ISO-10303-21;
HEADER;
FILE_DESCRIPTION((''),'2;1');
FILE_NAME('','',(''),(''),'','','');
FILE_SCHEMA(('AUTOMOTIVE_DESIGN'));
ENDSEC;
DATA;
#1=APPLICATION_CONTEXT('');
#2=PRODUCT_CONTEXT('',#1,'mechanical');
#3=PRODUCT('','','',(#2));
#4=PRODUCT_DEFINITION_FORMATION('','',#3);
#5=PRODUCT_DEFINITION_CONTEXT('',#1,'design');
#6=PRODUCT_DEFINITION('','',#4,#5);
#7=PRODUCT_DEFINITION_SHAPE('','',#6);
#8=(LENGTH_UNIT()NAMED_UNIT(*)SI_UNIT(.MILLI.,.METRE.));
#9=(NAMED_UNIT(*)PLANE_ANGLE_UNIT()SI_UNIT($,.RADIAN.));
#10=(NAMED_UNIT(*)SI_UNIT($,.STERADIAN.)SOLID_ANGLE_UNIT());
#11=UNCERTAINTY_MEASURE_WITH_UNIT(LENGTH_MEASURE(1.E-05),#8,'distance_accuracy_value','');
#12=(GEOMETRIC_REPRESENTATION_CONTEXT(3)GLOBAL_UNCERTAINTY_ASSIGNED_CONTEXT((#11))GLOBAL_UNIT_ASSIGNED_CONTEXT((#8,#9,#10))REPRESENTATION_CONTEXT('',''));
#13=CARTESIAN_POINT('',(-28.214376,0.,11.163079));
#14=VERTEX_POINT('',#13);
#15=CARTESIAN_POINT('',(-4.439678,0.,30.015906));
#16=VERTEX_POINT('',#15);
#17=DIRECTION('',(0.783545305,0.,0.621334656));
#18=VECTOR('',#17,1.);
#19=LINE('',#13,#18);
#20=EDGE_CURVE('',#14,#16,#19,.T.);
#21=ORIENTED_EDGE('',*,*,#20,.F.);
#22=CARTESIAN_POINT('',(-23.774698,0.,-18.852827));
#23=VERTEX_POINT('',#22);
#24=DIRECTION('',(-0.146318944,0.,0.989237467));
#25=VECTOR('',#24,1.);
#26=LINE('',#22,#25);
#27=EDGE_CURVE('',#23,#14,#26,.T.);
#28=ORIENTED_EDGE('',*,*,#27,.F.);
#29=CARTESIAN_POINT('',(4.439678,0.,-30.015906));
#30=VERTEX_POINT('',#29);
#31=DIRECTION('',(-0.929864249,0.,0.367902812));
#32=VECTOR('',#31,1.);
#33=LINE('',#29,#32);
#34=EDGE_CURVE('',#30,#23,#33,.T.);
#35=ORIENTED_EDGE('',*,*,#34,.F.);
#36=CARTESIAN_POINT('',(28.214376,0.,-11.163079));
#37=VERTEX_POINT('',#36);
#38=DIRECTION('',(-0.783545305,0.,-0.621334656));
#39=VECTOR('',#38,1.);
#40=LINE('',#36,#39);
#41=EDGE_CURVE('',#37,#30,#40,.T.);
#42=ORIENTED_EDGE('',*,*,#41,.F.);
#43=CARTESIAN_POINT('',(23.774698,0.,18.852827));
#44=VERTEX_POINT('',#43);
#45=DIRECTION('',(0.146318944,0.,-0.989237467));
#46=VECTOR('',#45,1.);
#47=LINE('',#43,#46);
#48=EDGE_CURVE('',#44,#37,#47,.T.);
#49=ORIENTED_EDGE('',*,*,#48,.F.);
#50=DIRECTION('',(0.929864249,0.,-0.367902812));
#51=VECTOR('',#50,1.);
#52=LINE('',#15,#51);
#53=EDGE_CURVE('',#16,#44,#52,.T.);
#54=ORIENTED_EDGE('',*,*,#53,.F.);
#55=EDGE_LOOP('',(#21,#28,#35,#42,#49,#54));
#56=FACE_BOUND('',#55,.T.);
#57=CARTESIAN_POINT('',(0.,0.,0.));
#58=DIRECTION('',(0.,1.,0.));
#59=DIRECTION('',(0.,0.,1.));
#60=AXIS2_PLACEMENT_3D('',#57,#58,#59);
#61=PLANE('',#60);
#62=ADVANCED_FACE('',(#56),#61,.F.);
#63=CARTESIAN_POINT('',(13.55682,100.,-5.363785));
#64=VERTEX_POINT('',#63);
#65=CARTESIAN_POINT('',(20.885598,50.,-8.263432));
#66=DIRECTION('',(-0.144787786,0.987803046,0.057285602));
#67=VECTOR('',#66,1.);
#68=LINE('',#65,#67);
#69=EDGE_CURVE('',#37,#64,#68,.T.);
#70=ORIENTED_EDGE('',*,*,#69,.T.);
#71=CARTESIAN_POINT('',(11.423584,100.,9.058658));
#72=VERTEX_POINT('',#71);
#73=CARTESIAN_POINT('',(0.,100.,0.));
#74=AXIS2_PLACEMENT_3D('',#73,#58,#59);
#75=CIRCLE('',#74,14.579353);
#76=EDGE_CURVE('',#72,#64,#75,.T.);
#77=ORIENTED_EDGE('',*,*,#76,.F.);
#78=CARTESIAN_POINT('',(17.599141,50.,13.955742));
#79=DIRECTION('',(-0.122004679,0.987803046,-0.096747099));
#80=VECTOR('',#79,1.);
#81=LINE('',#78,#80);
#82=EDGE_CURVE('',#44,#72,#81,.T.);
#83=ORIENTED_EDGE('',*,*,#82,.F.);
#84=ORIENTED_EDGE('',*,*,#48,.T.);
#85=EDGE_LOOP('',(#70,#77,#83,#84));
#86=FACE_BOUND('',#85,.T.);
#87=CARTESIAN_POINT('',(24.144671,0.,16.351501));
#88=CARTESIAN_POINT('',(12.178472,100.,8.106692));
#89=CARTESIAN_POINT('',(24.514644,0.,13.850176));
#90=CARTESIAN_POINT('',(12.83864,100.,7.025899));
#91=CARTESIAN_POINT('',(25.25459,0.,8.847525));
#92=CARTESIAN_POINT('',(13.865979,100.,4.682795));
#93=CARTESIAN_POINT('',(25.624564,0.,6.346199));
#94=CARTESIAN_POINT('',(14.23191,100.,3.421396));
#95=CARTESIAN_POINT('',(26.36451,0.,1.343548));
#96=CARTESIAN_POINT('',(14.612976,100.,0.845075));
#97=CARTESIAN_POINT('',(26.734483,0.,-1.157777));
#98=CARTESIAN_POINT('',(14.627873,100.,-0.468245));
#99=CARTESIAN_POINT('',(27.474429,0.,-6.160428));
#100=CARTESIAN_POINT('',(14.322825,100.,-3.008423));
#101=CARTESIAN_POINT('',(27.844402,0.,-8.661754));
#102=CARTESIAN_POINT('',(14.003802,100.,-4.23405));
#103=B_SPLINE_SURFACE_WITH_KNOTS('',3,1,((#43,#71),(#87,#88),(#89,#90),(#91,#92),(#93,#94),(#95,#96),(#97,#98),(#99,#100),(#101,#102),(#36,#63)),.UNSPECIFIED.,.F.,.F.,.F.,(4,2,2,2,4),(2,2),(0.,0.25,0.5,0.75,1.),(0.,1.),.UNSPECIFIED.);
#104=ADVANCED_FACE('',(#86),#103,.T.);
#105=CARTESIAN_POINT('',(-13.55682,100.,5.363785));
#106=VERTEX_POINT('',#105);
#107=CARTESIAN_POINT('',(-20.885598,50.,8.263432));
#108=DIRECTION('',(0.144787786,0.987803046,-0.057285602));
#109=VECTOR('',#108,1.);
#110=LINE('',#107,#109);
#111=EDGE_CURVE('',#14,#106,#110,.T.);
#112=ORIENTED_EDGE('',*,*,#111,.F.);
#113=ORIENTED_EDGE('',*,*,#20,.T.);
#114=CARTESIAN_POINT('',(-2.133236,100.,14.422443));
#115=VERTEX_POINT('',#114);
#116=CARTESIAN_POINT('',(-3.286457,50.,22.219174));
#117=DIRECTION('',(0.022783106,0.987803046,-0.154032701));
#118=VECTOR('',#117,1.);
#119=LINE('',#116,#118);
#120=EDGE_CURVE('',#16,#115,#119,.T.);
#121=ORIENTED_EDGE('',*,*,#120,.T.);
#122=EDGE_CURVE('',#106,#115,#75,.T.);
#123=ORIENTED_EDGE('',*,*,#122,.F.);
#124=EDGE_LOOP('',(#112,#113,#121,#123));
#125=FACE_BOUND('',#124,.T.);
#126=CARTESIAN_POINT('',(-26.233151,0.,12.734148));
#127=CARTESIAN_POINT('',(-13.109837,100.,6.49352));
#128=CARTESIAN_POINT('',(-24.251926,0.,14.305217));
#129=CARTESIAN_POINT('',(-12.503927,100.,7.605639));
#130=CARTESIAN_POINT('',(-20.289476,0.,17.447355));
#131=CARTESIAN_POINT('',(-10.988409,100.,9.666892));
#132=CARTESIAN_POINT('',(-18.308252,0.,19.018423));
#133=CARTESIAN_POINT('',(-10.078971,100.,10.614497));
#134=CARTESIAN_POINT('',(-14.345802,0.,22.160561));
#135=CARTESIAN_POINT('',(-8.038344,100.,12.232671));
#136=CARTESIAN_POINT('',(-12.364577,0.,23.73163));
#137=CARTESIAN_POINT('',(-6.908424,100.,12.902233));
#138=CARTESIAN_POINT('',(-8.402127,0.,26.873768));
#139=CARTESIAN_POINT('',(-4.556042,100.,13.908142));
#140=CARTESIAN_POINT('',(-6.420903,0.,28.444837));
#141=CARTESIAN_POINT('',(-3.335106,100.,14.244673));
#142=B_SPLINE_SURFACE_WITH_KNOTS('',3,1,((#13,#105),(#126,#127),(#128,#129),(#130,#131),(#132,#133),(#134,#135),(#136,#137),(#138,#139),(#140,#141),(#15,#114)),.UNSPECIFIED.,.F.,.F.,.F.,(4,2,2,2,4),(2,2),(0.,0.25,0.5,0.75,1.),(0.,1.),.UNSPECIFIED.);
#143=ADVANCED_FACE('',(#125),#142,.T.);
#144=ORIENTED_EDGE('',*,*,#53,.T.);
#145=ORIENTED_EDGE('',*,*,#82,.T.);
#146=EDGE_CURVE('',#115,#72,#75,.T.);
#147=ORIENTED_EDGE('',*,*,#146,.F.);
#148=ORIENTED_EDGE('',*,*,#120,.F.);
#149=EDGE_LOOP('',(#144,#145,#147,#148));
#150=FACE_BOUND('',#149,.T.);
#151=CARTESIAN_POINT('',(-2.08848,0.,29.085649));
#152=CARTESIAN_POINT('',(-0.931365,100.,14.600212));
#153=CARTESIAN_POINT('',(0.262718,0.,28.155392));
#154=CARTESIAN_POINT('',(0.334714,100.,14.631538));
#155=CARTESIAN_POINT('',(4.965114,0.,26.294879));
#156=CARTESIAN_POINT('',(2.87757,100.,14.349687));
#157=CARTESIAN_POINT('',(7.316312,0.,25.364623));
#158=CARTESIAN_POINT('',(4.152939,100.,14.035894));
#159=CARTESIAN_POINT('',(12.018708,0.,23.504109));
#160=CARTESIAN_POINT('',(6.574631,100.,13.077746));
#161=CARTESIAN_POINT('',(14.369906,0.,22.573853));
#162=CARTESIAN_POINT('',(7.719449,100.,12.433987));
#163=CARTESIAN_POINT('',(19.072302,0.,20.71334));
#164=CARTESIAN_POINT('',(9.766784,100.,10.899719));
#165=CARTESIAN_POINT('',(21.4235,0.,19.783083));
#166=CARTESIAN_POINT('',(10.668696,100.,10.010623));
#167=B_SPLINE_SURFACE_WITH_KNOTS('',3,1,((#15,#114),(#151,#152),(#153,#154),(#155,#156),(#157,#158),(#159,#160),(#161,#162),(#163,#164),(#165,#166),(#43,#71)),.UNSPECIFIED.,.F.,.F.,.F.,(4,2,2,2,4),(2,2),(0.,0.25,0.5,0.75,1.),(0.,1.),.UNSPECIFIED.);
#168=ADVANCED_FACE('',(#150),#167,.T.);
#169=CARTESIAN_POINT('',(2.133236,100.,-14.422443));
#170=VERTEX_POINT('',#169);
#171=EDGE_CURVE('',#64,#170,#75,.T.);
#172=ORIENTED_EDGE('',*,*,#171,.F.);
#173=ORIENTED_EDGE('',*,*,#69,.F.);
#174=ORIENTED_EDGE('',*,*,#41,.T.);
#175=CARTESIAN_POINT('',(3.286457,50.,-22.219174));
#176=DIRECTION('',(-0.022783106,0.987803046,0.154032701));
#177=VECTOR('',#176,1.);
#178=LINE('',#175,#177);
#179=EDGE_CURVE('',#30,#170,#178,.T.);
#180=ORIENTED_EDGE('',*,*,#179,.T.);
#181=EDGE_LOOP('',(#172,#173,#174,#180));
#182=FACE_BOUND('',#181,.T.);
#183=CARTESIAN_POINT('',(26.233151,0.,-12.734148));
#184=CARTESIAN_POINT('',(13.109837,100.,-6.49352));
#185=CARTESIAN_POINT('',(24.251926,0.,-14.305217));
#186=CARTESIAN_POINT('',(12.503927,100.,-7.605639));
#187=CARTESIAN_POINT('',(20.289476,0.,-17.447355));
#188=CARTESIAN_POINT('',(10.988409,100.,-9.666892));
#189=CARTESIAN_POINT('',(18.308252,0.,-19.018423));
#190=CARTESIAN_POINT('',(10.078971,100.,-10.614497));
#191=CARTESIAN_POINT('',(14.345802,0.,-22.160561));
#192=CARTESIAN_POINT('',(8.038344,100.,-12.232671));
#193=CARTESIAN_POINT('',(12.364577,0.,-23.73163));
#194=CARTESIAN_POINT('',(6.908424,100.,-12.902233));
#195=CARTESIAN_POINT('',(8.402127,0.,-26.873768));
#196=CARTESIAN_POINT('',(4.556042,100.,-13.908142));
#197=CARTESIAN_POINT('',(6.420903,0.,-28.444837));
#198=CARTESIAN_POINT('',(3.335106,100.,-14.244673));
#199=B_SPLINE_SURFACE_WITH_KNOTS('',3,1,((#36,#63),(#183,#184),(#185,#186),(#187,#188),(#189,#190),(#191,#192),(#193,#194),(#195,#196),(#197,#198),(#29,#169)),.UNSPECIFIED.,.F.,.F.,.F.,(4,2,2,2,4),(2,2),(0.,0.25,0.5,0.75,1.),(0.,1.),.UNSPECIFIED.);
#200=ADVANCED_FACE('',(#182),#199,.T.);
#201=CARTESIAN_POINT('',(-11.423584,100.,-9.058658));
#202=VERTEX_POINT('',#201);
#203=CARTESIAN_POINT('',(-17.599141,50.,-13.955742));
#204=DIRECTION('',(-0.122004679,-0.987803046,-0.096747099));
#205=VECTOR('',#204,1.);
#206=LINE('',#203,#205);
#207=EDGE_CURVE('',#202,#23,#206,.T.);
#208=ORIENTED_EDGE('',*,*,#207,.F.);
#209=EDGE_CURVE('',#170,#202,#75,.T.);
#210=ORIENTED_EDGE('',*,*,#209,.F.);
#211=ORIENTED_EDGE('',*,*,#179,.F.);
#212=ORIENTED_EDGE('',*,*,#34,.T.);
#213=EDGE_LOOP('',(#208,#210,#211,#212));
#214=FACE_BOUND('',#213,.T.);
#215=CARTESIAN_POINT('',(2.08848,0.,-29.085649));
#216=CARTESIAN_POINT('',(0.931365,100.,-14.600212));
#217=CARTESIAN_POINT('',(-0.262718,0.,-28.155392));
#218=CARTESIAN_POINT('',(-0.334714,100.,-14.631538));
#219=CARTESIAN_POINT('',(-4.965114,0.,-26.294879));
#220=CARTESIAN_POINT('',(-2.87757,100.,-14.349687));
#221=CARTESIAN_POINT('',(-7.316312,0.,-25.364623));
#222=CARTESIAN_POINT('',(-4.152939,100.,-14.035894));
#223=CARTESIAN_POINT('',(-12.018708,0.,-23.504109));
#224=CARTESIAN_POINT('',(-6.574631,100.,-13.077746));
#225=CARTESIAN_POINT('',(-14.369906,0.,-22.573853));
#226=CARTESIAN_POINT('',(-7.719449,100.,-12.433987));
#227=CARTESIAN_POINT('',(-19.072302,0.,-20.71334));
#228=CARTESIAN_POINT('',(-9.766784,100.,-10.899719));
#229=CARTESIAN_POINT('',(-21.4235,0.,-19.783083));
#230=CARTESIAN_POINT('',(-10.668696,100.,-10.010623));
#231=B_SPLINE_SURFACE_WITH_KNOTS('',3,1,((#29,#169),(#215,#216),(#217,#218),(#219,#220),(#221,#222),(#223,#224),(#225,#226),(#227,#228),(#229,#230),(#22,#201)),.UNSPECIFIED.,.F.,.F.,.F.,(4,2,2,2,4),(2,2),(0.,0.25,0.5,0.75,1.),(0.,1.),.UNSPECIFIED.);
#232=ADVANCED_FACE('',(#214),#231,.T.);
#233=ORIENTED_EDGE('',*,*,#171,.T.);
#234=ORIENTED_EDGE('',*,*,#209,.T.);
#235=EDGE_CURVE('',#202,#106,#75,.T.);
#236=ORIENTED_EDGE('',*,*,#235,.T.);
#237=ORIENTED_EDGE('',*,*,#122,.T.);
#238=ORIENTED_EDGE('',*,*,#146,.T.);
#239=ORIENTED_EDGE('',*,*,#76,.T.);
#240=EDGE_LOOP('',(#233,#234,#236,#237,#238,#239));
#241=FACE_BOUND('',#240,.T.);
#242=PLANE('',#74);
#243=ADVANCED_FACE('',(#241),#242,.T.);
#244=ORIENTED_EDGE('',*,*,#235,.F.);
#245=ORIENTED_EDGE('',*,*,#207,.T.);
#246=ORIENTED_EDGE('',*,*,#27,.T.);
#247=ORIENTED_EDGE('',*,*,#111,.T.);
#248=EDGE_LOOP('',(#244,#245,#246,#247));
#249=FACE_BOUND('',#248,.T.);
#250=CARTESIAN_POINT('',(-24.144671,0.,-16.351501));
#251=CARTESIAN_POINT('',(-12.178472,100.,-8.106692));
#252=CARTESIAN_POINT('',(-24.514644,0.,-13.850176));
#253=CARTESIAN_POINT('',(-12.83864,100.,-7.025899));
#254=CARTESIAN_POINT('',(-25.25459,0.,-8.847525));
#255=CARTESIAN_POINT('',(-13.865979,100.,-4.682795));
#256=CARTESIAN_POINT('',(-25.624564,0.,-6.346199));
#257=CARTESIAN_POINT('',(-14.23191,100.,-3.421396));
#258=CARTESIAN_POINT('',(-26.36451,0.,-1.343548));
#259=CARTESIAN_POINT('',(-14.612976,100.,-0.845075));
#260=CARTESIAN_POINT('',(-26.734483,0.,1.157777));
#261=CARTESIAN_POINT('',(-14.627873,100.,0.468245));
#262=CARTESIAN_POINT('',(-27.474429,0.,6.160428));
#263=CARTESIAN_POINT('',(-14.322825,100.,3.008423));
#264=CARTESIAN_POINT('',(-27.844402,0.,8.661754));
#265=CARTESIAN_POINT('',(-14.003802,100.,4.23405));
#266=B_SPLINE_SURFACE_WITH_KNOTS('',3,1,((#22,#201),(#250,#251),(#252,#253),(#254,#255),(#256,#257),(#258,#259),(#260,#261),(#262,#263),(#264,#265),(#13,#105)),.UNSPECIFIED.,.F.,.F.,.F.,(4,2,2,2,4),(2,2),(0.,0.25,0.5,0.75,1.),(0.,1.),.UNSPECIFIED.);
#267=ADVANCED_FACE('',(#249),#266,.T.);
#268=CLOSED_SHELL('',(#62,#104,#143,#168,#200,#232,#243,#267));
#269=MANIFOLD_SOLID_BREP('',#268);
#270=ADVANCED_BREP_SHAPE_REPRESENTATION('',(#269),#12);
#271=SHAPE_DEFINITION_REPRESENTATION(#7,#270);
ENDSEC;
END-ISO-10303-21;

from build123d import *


with BuildPart() as part:
    # Sketch1 → Loft1 section 0
    with BuildSketch(Plane(origin=(0, 0, 0), x_dir=(1, 0, 0), z_dir=(0, 1, 0))):
        Polygon((28.214375639, 11.163079057), (4.439677771, 30.015905584), (-23.774697867, 18.852826527), (-28.214375639, -11.163079057), (-4.439677771, -30.015905584), (23.774697867, -18.852826527), align=None)
    # Sketch2 for Loft1 → Loft1 section 1
    with BuildSketch(Plane(origin=(0, 100, 0), x_dir=(1, 0, 0), z_dir=(0, 1, 0))):
        with BuildLine():
            # circular arc as an exact rational Bezier (weights 1, cos(half-angle), 1)
            Bezier((13.556819541, 5.363785123), (10.460036756, 13.190818534), (2.133235594, 14.422442679), weights=[1, 0.866025404, 1])
            Bezier((2.133235594, 14.422442679), (-6.193565569, 15.654066823), (-11.423583947, 9.058657556), weights=[1, 0.866025404, 1])
            Bezier((-11.423583947, 9.058657556), (-16.653602327, 2.463248289), (-13.556819541, -5.363785123), weights=[1, 0.866025404, 1])
            Bezier((-13.556819541, -5.363785123), (-10.460036756, -13.190818534), (-2.133235594, -14.422442679), weights=[1, 0.866025404, 1])
            Bezier((-2.133235594, -14.422442679), (6.193565569, -15.654066823), (11.423583947, -9.058657556), weights=[1, 0.866025404, 1])
            Bezier((11.423583947, -9.058657556), (16.653602327, -2.463248289), (13.556819541, 5.363785123), weights=[1, 0.866025404, 1])
        make_face()
    loft()


solid = part.part
